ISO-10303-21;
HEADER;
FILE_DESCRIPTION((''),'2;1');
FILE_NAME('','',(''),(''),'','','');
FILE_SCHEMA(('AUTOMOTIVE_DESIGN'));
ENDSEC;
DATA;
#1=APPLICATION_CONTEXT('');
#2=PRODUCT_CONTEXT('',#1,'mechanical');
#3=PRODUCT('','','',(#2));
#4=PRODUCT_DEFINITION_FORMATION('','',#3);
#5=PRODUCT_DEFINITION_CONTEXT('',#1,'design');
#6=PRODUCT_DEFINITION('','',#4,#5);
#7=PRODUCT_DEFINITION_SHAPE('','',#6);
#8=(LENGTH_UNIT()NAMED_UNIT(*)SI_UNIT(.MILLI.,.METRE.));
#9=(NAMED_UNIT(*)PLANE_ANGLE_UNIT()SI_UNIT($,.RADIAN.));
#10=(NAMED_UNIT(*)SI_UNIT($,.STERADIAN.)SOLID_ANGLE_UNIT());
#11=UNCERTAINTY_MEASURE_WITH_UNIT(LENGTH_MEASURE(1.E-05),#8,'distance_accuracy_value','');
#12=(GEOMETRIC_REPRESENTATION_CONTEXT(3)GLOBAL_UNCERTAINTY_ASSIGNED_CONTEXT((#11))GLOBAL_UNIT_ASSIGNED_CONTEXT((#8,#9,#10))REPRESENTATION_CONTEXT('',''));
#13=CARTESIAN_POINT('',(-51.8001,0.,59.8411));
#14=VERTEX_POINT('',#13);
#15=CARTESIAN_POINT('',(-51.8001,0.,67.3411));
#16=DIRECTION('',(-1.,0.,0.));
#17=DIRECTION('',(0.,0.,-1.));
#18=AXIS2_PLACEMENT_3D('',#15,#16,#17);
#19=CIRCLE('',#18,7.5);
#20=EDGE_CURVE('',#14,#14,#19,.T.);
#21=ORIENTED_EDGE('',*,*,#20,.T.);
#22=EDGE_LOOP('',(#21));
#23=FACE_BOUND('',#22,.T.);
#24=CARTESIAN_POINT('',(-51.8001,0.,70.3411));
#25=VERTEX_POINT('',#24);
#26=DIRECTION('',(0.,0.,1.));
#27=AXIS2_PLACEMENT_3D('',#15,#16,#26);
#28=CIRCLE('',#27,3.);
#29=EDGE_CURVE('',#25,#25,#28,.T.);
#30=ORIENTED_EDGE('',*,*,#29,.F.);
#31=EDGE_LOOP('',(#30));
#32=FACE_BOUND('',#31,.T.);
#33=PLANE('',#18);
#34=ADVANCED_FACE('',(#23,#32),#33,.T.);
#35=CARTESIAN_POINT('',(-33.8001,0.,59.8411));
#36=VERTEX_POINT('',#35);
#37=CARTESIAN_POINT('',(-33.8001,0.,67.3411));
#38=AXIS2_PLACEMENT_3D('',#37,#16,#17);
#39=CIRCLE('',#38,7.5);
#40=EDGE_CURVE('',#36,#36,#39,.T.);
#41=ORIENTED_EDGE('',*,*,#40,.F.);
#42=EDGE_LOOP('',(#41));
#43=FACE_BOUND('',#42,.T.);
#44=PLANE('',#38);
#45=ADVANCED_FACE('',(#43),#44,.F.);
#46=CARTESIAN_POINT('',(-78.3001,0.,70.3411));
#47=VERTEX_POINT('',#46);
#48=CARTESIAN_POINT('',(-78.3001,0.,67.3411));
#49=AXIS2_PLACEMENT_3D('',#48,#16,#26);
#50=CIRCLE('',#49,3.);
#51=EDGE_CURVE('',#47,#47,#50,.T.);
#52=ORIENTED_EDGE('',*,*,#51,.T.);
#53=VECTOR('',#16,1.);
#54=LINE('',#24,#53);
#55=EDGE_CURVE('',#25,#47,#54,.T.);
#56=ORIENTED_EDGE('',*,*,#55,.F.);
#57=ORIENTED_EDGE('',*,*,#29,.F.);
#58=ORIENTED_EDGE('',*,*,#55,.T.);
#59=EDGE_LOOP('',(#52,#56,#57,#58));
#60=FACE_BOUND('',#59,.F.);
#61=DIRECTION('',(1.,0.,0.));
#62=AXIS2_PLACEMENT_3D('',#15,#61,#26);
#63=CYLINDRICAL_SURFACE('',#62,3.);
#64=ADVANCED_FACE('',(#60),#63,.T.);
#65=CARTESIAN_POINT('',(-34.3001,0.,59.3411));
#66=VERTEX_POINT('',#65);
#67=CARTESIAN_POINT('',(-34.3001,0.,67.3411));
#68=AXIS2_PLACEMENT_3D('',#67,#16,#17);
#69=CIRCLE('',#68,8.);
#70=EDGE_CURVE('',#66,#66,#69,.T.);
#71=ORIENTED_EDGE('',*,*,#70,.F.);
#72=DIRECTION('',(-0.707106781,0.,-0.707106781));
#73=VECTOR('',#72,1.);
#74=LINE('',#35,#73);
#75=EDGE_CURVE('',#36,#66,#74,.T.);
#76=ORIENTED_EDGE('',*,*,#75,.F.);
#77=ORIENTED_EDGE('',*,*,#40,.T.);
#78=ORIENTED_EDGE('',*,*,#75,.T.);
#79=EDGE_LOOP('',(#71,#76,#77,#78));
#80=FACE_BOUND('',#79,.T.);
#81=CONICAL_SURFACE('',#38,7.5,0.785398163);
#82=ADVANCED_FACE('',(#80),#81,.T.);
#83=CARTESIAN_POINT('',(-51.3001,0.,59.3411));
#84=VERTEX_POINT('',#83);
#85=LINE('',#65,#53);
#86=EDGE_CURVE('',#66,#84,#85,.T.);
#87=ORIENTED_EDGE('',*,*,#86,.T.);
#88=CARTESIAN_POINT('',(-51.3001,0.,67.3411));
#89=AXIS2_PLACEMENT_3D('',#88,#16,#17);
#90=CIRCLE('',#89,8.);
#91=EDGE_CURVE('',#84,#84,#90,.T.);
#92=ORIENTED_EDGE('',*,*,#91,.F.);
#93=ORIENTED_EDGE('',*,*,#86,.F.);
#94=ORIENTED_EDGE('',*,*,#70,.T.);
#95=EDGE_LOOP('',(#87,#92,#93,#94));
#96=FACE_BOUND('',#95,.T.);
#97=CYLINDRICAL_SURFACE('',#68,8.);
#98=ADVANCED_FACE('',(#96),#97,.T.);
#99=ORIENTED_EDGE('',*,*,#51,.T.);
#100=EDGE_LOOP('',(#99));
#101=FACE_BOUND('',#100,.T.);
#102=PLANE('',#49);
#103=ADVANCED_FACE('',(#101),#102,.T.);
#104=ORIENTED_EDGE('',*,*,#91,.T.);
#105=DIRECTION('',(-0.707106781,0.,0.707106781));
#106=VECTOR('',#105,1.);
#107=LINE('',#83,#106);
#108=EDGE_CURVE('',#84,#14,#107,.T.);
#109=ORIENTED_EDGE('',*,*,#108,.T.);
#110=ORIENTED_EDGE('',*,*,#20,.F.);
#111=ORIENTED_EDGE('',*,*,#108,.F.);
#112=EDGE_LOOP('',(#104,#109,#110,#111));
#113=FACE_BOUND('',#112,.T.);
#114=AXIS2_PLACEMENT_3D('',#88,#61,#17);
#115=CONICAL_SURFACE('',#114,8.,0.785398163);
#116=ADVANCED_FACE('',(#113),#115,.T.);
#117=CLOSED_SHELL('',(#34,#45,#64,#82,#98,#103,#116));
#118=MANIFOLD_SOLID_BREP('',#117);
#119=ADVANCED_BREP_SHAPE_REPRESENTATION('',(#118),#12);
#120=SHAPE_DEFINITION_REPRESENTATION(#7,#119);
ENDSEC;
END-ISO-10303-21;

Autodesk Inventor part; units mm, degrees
ref_plane "YZ Plane" through (0, 0, 0) normal (1, 0, 0) x (0, 1, 0)
ref_plane "XZ Plane" through (0, 0, 0) normal (0, 1, 0) x (-1, 0, 0)
ref_plane "XY Plane" through (0, 0, 0) normal (0, 0, 1) x (1, 0, 0)
sketch "スケッチ1" plane through (0, 0, 0) normal (0, 1, 0) x (-1, 0, 0)
  line L0 (-49.8489, 61.5411) -> (-49.8489, 83.4411)
  line L1 (-49.8489, 83.4411) -> (10.1511, 83.4411)
  line L2 (10.1511, 83.4411) -> (10.1511, 61.5411)
  line L3 (10.1511, 61.5411) -> (-8.8489, 61.5411)
  line L4 (-8.8489, 56.3412) -> (-8.8489, 74.3411)
  line L5 (-8.8489, 74.3411) -> (-15.9758, 74.3411)
  line L6 (-23.7218, 74.3411) -> (-30.8489, 74.3411)
  line L7 (-30.8489, 74.3411) -> (-30.8489, 56.3412)
  line L8 (-30.8489, 56.3411) -> (-8.8489, 56.3411)
  circle A0 centre (-19.8489, 67.3411) radius 8
  circle A1 centre (-19.8489, 67.3411) radius 7.5
  line L9 (-30.8489, 61.5411) -> (-49.8489, 61.5411)
  line L10 (-49.8489, 75.5411) -> (10.1511, 75.5411)
  line L11 (53.2984, 117.706) -> (53.2984, 177.706)
  line L12 (53.2984, 177.706) -> (143.2984, 177.706)
  line L13 (143.2984, 177.706) -> (143.2984, 117.706)
  line L14 (143.2984, 117.706) -> (53.2984, 117.706)
  circle A2 centre (83.9984, 122.706) radius 1.5
  circle A3 centre (83.9984, 147.706) radius 1.5
  circle A4 centre (93.9984, 147.706) radius 2.25
  circle A5 centre (83.9984, 172.706) radius 1.5
  circle A6 centre (108.9984, 172.706) radius 1.5
  circle A7 centre (133.9984, 172.706) radius 1.5
  circle A8 centre (133.9984, 147.706) radius 1.5
  circle A9 centre (123.9984, 147.706) radius 2.25
  circle A10 centre (108.9984, 147.706) radius 7.5
  circle A11 centre (108.9984, 122.706) radius 1.5
  circle A12 centre (133.9984, 122.706) radius 1.5
  line L15 (174.3262, 83.4411) -> (174.3262, 61.5411)
  line L16 (174.3262, 61.5411) -> (193.3262, 61.5411)
  line L17 (193.3262, 65.4411) -> (193.3262, 56.3412)
  line L18 (193.3262, 56.3411) -> (215.3262, 56.3411)
  line L19 (215.3262, 56.3412) -> (215.3262, 65.4411)
  line L20 (215.3262, 61.5411) -> (234.3263, 61.5411)
  line L21 (234.3263, 61.5411) -> (234.3263, 83.4411)
  line L22 (234.3263, 83.4411) -> (174.3262, 83.4411)
  line L23 (234.3263, 65.4411) -> (174.3262, 65.4411)
  line L24 (143.2984, 25.0403) -> (53.2984, 25.0403)
  line L25 (53.2984, 25.0403) -> (53.2984, -34.9597)
  line L26 (53.2984, -34.9597) -> (143.2984, -34.9597)
  line L27 (143.2984, -34.9597) -> (143.2984, 25.0403)
  line L28 (131.5644, 25.0403) -> (131.5644, -34.9597)
  circle A13 centre (108.9984, -29.9597) radius 1.5
  circle A14 centre (108.9984, -4.9597) radius 7.5
  circle A15 centre (123.9984, -4.9597) radius 2.25
  circle A16 centre (123.9984, -4.9597) radius 4
  circle A17 centre (108.9984, 20.0403) radius 1.5
  circle A18 centre (83.9984, 20.0403) radius 1.5
  line L29 (73.2984, 25.0403) -> (73.2984, 6.0403)
  line L30 (86.3001, -15.9597) -> (86.3001, 6.0403)
  line L31 (86.3001, 6.0403) -> (53.3001, 6.0403)
  line L32 (53.3001, 6.0403) -> (53.3001, -15.9597)
  line L33 (53.3001, -15.9597) -> (86.3001, -15.9597)
  line L34 (73.2984, -15.9597) -> (73.2984, -34.9597)
  line L35 (63.2984, -34.9597) -> (63.2984, -15.9597)
  line L36 (63.2984, 6.0403) -> (63.2984, 25.0403)
  circle A19 centre (83.9984, -29.9597) radius 1.5
  circle A20 centre (93.9984, -4.9597) radius 2.25
  circle A21 centre (93.9984, -4.9597) radius 4
  line L37 (-19.8489, 49.2711) -> (-19.8489, 87.2696)
  line L38 (-6.1616, 67.3411) -> (-35.9585, 67.3411)
  line L39 (83.9984, 23.5784) -> (83.9984, 16.5836)
  circle A22 centre (83.9984, 20.0403) radius 2
  line L40 (80.6576, 20.0403) -> (87.5893, 20.0403)
  line L41 (93.9984, 1.0394) -> (93.9984, -10.6526)
  line L42 (83.9984, -26.503) -> (83.9984, -33.4978)
  circle A23 centre (83.9984, -29.9597) radius 2
  line L43 (80.6576, -29.9597) -> (87.5893, -29.9597)
  line L44 (29.8273, -4.9597) -> (148.6488, -4.9597)
  line L45 (123.9984, -10.6526) -> (123.9984, 1.0394)
  line L46 (112.4368, 20.0403) -> (105.6741, 20.0403)
  circle A24 centre (108.9984, 20.0403) radius 2
  line L47 (108.9984, 32.4142) -> (108.9984, -41.5197)
  circle A25 centre (108.9984, -29.9597) radius 2
  line L48 (105.4074, -29.9597) -> (112.8092, -29.9597)
  circle A26 centre (108.9984, -4.9597) radius 8
  line L49 (108.9984, 111.8823) -> (108.9984, 183.8068)
  circle A27 centre (108.9984, 172.706) radius 2
  line L50 (105.6741, 172.706) -> (112.4368, 172.706)
  line L51 (130.4749, 172.706) -> (137.3391, 172.706)
  circle A28 centre (133.9984, 172.706) radius 2
  line L52 (133.9984, 169.2493) -> (133.9984, 176.2441)
  line L53 (123.9984, 153.3988) -> (123.9984, 141.7069)
  circle A29 centre (123.9984, 147.706) radius 4
  circle A30 centre (133.9984, 147.706) radius 2
  line L54 (133.9984, 151.0572) -> (133.9984, 144.2493)
  line L55 (148.6488, 147.706) -> (29.8273, 147.706)
  circle A31 centre (83.9984, 147.706) radius 2
  line L56 (83.9984, 151.0572) -> (83.9984, 144.2493)
  line L57 (93.9984, 141.7069) -> (93.9984, 153.3988)
  circle A32 centre (93.9984, 147.706) radius 4
  line L58 (83.9984, 169.2493) -> (83.9984, 176.2441)
  circle A33 centre (83.9984, 172.706) radius 2
  line L59 (80.6576, 172.706) -> (87.5893, 172.706)
  circle A34 centre (108.9984, 147.706) radius 8
  circle A35 centre (108.9984, 122.706) radius 2
  line L60 (105.4074, 122.706) -> (112.8092, 122.706)
  line L61 (130.8446, 122.706) -> (137.3391, 122.706)
  circle A36 centre (133.9984, 122.706) radius 2
  line L62 (133.9984, 126.1627) -> (133.9984, 119.1679)
  line L63 (87.5893, 122.706) -> (80.6576, 122.706)
  circle A37 centre (83.9984, 122.706) radius 2
  line L64 (83.9984, 126.1627) -> (83.9984, 119.1679)
  line L65 (204.3262, 87.2696) -> (204.3262, 49.2711)
  line L66 (176.3262, 70.0686) -> (232.3263, 70.0686)
  line L67 (82.1365, 4.0403) -> (82.1365, -13.9597)
  line L68 (51.8001, 144.706) -> (51.8001, 150.706)
  line L69 (53.2984, 150.706) -> (51.8001, 150.706)
  line L70 (53.2984, 144.706) -> (51.8001, 144.706)
  line L71 (33.8001, 155.206) -> (33.8001, 140.206)
  line L72 (33.8001, 140.206) -> (34.3001, 139.706)
  line L73 (34.3001, 139.706) -> (51.3001, 139.706)
  line L74 (51.3001, 139.706) -> (51.8001, 140.206)
  line L75 (51.8001, 140.206) -> (51.8001, 155.206)
  line L76 (51.8001, 155.206) -> (51.3001, 155.706)
  line L77 (51.3001, 155.706) -> (34.3001, 155.706)
  line L78 (34.3001, 155.706) -> (33.8001, 155.206)
  line L79 (34.3001, 155.706) -> (34.3001, 139.706)
  line L80 (51.3001, 139.706) -> (51.3001, 155.706)
  line L81 (51.8001, -7.9597) -> (51.8001, -1.9597)
  line L82 (53.3001, -1.9597) -> (51.8001, -1.9597)
  line L83 (53.3001, -7.9597) -> (51.8001, -7.9597)
  line L84 (33.8001, 2.5403) -> (33.8001, -12.4597)
  line L85 (33.8001, -12.4597) -> (34.3001, -12.9597)
  line L86 (34.3001, -12.9597) -> (51.3001, -12.9597)
  line L87 (51.3001, -12.9597) -> (51.8001, -12.4597)
  line L88 (51.8001, -12.4597) -> (51.8001, 2.5403)
  line L89 (51.8001, 2.5403) -> (51.3001, 3.0403)
  line L90 (51.3001, 3.0403) -> (34.3001, 3.0403)
  line L91 (34.3001, 3.0403) -> (33.8001, 2.5403)
  line L92 (34.3001, 3.0403) -> (34.3001, -12.9597)
  line L93 (51.3001, -12.9597) -> (51.3001, 3.0403)
  line L94 (28.0972, 67.3411) -> (83.3407, 67.3411)
  line L95 (82.8984, 75.4411) -> (90.6984, 75.4411)
  line L96 (127.3984, 75.4411) -> (133.1984, 75.4411)
  line L97 (134.7552, 70.5411) -> (131.5724, 67.3583)
  line L98 (82.4415, 71.3411) -> (86.3001, 67.4825)
  line L99 (78.3001, 69.4911) -> (75.8001, 69.4911)
  line L100 (78.3001, 65.1911) -> (75.8001, 65.1911)
  line L101 (75.8001, 64.8411) -> (75.8001, 69.8411)
  line L102 (75.3001, 70.3411) -> (73.1569, 70.3411)
  line L103 (75.3001, 64.3411) -> (73.1569, 64.3411)
  line L104 (75.8001, 69.8411) -> (73.1569, 69.8411)
  line L105 (75.8001, 64.8411) -> (73.1569, 64.8411)
  line L106 (51.8001, 64.3411) -> (51.8001, 70.3411)
  line L107 (53.3001, 70.3411) -> (51.8001, 70.3411)
  line L108 (53.3001, 64.3411) -> (51.8001, 64.3411)
  line L109 (33.8001, 74.8411) -> (33.8001, 59.8411)
  line L110 (33.8001, 59.8411) -> (34.3001, 59.3411)
  line L111 (34.3001, 59.3411) -> (51.3001, 59.3411)
  line L112 (51.3001, 59.3411) -> (51.8001, 59.8411)
  line L113 (51.8001, 59.8411) -> (51.8001, 74.8411)
  line L114 (51.8001, 74.8411) -> (51.3001, 75.3411)
  line L115 (51.3001, 75.3411) -> (34.3001, 75.3411)
  line L116 (34.3001, 75.3411) -> (33.8001, 74.8411)
  line L117 (34.3001, 75.3411) -> (34.3001, 59.3411)
  line L118 (51.3001, 59.3411) -> (51.3001, 75.3411)
  line L119 (54.3001, 74.3411) -> (60.3001, 74.3411)
  line L120 (54.3001, 56.3411) -> (80.2082, 56.3411)
  line L121 (53.3001, 57.3411) -> (53.3001, 73.3411)
  line L122 (86.3001, 60.5366) -> (86.3001, 67.4825)
  line L123 (61.3001, 62.3411) -> (61.3001, 73.3411)
  line L124 (62.3001, 61.3411) -> (77.3001, 61.3411)
  line L125 (78.3001, 62.3411) -> (78.3001, 70.3411)
  line L126 (79.3001, 71.3411) -> (82.4415, 71.3411)
  line L127 (82.1365, 57.0429) -> (86.3001, 60.5366)
  arc A38 (80.2082, 56.3411) -> (82.1365, 57.0429) centre (80.2082, 59.3411) ccw
  arc A39 (54.3001, 74.3411) -> (53.3001, 73.3411) centre (54.3001, 73.3411) ccw
  arc A40 (61.3001, 73.3411) -> (60.3001, 74.3411) centre (60.3001, 73.3411) ccw
  arc A41 (53.3001, 57.3411) -> (54.3001, 56.3411) centre (54.3001, 57.3411) ccw
  arc A42 (61.3001, 62.3411) -> (62.3001, 61.3411) centre (62.3001, 62.3411) ccw
  arc A43 (77.3001, 61.3411) -> (78.3001, 62.3411) centre (77.3001, 62.3411) ccw
  arc A44 (79.3001, 71.3411) -> (78.3001, 70.3411) centre (79.3001, 70.3411) ccw
  line L128 (63.1569, 70.3411) -> (61.3001, 70.3411)
  line L129 (63.1569, 69.8411) -> (61.3001, 69.8411)
  line L130 (63.1569, 64.8411) -> (61.3001, 64.8411)
  line L131 (63.1569, 64.3411) -> (61.3001, 64.3411)
  line L132 (75.3001, 70.3411) -> (75.8001, 69.8411)
  line L133 (75.3001, 64.3411) -> (75.8001, 64.8411)
  arc A45 (63.2984, 63.5411) -> (65.2984, 61.5411) centre (65.2984, 63.5411) ccw
  line L134 (65.2984, 61.5411) -> (71.2984, 61.5411)
  arc A46 (71.2984, 61.5411) -> (73.2984, 63.5411) centre (71.2984, 63.5411) ccw
  line L135 (73.2984, 63.5411) -> (73.2984, 75.0411)
  line L136 (135.2984, 75.8411) -> (135.2984, 70.7411)
  line L137 (143.2984, 72.6666) -> (143.2984, 83.4411)
  line L138 (143.2984, 83.4411) -> (53.2984, 83.4411)
  line L139 (53.2984, 83.4411) -> (53.2984, 76.5411)
  arc A47 (53.2984, 76.5411) -> (54.2984, 75.5411) centre (54.2984, 76.5411) ccw
  line L140 (54.2984, 75.5411) -> (62.2984, 75.5411)
  arc A48 (63.2984, 74.5411) -> (62.2984, 75.5411) centre (62.2984, 74.5411) ccw
  line L141 (63.2984, 74.5411) -> (63.2984, 63.5411)
  line L142 (74.2984, 76.0411) -> (82.2984, 76.0411)
  line L143 (133.7984, 76.0411) -> (133.1984, 75.4411)
  line L144 (127.3984, 75.4411) -> (126.7984, 76.0411)
  line L145 (90.6984, 75.4411) -> (91.2984, 76.0411)
  line L146 (82.8984, 75.4411) -> (82.2984, 76.0411)
  line L147 (91.2984, 76.0411) -> (126.7984, 76.0411)
  arc A49 (74.2984, 76.0411) -> (73.2984, 75.0411) centre (74.2984, 75.0411) ccw
  line L148 (133.7984, 76.0411) -> (135.0984, 76.0411)
  arc A50 (135.2984, 75.8411) -> (135.0984, 76.0411) centre (135.0984, 75.8411) ccw
  line L149 (135.0984, 70.5411) -> (134.7552, 70.5411)
  arc A51 (135.0984, 70.5411) -> (135.2984, 70.7411) centre (135.0984, 70.7411) ccw
  arc A52 (131.5724, 67.3583) -> (134.1894, 65.6755) centre (133.3144, 67.1911) ccw
  line L150 (134.1894, 65.6755) -> (141.7984, 70.0686)
  arc A53 (141.7984, 70.0686) -> (143.2984, 72.6666) centre (140.2984, 72.6666) ccw
  line L151 (124.9984, 127.8911) -> (124.9984, 123.5209)
  line L152 (127.1835, 125.706) -> (122.8133, 125.706)
  circle A54 centre (124.9984, 125.706) radius 1
  circle A55 centre (124.9984, 125.706) radius 1.5
  line L153 (124.9984, 167.5209) -> (124.9984, 171.8911)
  line L154 (127.1835, 169.706) -> (122.8133, 169.706)
  circle A56 centre (124.9984, 169.706) radius 1
  circle A57 centre (124.9984, 169.706) radius 1.5
  line L155 (58.9984, 127.8911) -> (58.9984, 123.5209)
  line L156 (61.1835, 125.706) -> (56.8133, 125.706)
  circle A58 centre (58.9984, 125.706) radius 1
  circle A59 centre (58.9984, 125.706) radius 1.5
  line L157 (58.9984, 167.5209) -> (58.9984, 171.8911)
  line L158 (61.1835, 169.706) -> (56.8133, 169.706)
  circle A60 centre (58.9984, 169.706) radius 1
  circle A61 centre (58.9984, 169.706) radius 1.5
  line L159 (34.3001, 154.706) -> (49.1751, 154.706)
  line L160 (34.3001, 153.706) -> (47.0501, 153.706)
  line L161 (34.3001, 152.706) -> (44.9251, 152.706)
  line L162 (34.3001, 151.706) -> (42.8001, 151.706)
  line L163 (34.3001, 150.706) -> (40.6751, 150.706)
  line L164 (34.3001, 149.706) -> (38.5501, 149.706)
  line L165 (34.3001, 148.706) -> (36.4251, 148.706)
  line L166 (34.3001, 2.0403) -> (49.1751, 2.0403)
  line L167 (34.3001, 1.0403) -> (47.0501, 1.0403)
  line L168 (34.3001, 0.0403) -> (44.9251, 0.0403)
  line L169 (34.3001, -0.9597) -> (42.8001, -0.9597)
  line L170 (34.3001, -1.9597) -> (40.6751, -1.9597)
  line L171 (34.3001, -2.9597) -> (38.5501, -2.9597)
  line L172 (34.3001, -3.9597) -> (36.4251, -3.9597)
  line L173 (108.9984, 51.8579) -> (108.9984, 88.7279)
  line L174 (34.3001, 74.3411) -> (49.1751, 74.3411)
  line L175 (34.3001, 73.3411) -> (47.0501, 73.3411)
  line L176 (34.3001, 72.3411) -> (44.9251, 72.3411)
  line L177 (34.3001, 71.3411) -> (42.8001, 71.3411)
  line L178 (34.3001, 70.3411) -> (40.6751, 70.3411)
  line L179 (34.3001, 69.3411) -> (38.5501, 69.3411)
  line L180 (34.3001, 68.3411) -> (36.4251, 68.3411)
  point P0 (0, 0)
  point P1 (209.8216, -24.5126)
  point P2 (209.8216, -11.7034)
  point P3 (51.8001, 67.3411)
  point P4 (33.8001, 67.3411)
revolve "回転1" add sketch "スケッチ1" angle 360 about axis through (-28.0972, 0, 67.3411) along (-1, 0, 0) contours L94 L117 L110 L109 | L94 L118 L111 L117 | L94 L106 L113 L112 L118
sketch "スケッチ2" plane through (-51.8001, 0, 67.3411) normal (-1, 0, 0) x (0, 0, 1)
  circle A0 centre (0, 0) radius 3
  point P0 (-67.3411, 0)
  dimension "d1" = 6
extrude "押し出し1" add sketch "スケッチ2" along normal blind 26.5
thread "ねじ1" size "M6x1" class "6g" standard "ANSI Metric M Profile" full length
properties part number "carrier_handle" material "UHMW、黒"
